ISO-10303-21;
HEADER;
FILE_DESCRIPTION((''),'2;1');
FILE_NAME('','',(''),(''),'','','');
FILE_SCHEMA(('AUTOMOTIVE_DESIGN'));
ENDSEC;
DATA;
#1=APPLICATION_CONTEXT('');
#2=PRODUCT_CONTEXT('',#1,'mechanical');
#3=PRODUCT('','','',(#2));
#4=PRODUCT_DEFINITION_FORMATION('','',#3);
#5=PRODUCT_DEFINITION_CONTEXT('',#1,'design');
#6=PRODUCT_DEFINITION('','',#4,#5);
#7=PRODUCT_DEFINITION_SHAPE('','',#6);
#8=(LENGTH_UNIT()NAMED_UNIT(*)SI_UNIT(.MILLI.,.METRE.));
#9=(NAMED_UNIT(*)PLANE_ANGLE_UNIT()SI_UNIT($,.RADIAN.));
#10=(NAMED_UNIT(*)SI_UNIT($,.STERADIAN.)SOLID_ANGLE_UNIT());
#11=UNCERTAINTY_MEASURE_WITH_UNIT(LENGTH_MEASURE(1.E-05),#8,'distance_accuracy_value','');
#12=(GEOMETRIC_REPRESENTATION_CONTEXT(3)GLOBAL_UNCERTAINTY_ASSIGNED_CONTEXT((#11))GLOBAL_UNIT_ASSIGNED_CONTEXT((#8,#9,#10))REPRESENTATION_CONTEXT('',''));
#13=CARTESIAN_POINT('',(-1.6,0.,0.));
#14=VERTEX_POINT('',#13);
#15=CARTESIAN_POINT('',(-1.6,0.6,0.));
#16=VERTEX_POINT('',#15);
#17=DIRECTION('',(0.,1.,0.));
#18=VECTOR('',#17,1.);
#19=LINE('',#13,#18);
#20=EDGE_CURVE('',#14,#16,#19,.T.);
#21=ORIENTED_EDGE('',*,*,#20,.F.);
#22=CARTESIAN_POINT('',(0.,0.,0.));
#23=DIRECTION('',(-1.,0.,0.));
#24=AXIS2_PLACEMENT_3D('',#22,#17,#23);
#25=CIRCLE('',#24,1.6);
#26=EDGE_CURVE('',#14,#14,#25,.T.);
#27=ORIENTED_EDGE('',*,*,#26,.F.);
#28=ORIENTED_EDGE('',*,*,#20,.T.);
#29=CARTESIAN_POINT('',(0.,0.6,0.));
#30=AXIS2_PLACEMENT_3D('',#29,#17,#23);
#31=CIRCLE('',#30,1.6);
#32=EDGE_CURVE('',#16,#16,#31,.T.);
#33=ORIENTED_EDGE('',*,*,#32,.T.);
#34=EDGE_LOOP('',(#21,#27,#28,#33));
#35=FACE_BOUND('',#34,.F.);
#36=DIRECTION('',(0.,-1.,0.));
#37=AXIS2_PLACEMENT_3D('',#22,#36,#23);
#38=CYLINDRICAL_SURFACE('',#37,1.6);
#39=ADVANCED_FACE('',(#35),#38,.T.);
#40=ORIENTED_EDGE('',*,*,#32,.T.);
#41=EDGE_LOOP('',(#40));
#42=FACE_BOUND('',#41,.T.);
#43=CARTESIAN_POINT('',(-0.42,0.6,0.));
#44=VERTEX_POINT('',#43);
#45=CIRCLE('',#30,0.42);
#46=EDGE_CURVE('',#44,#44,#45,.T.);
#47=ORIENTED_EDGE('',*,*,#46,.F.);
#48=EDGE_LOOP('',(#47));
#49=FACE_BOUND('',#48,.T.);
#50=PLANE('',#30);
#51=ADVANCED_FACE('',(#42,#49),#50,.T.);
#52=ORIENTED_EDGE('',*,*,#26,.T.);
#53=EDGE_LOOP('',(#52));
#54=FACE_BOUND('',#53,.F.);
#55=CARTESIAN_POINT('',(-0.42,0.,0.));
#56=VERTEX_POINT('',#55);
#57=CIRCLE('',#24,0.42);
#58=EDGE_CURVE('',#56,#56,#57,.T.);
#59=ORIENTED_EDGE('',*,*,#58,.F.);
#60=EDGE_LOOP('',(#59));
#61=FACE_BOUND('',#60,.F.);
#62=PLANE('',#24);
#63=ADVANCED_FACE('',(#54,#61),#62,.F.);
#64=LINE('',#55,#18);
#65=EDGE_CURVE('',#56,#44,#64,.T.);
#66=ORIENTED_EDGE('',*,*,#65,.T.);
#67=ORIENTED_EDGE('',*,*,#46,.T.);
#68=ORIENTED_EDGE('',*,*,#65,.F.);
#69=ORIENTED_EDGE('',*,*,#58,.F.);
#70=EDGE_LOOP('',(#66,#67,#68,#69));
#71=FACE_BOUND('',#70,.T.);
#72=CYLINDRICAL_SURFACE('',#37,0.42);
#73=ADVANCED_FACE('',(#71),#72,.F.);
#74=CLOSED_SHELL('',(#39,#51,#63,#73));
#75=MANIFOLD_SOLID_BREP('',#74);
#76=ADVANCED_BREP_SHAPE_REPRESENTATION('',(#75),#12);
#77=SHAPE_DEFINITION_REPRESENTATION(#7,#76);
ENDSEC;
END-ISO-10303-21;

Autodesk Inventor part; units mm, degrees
ref_plane "YZ Plane" through (0, 0, 0) normal (1, 0, 0) x (0, 1, 0)
ref_plane "XZ Plane" through (0, 0, 0) normal (0, 1, 0) x (-1, 0, 0)
ref_plane "XY Plane" through (0, 0, 0) normal (0, 0, 1) x (1, 0, 0)
sketch "Boceto1" plane through (0, 0, 0) normal (0, 1, 0) x (-1, 0, 0)
  circle A0 centre (0, 0) radius 1.6
  circle A1 centre (0, 0) radius 0.42
  dimension "d0" = 3.2
  dimension "d1" = 0.84
extrude "Extrusión1" add sketch "Boceto1" along normal blind 0.6
